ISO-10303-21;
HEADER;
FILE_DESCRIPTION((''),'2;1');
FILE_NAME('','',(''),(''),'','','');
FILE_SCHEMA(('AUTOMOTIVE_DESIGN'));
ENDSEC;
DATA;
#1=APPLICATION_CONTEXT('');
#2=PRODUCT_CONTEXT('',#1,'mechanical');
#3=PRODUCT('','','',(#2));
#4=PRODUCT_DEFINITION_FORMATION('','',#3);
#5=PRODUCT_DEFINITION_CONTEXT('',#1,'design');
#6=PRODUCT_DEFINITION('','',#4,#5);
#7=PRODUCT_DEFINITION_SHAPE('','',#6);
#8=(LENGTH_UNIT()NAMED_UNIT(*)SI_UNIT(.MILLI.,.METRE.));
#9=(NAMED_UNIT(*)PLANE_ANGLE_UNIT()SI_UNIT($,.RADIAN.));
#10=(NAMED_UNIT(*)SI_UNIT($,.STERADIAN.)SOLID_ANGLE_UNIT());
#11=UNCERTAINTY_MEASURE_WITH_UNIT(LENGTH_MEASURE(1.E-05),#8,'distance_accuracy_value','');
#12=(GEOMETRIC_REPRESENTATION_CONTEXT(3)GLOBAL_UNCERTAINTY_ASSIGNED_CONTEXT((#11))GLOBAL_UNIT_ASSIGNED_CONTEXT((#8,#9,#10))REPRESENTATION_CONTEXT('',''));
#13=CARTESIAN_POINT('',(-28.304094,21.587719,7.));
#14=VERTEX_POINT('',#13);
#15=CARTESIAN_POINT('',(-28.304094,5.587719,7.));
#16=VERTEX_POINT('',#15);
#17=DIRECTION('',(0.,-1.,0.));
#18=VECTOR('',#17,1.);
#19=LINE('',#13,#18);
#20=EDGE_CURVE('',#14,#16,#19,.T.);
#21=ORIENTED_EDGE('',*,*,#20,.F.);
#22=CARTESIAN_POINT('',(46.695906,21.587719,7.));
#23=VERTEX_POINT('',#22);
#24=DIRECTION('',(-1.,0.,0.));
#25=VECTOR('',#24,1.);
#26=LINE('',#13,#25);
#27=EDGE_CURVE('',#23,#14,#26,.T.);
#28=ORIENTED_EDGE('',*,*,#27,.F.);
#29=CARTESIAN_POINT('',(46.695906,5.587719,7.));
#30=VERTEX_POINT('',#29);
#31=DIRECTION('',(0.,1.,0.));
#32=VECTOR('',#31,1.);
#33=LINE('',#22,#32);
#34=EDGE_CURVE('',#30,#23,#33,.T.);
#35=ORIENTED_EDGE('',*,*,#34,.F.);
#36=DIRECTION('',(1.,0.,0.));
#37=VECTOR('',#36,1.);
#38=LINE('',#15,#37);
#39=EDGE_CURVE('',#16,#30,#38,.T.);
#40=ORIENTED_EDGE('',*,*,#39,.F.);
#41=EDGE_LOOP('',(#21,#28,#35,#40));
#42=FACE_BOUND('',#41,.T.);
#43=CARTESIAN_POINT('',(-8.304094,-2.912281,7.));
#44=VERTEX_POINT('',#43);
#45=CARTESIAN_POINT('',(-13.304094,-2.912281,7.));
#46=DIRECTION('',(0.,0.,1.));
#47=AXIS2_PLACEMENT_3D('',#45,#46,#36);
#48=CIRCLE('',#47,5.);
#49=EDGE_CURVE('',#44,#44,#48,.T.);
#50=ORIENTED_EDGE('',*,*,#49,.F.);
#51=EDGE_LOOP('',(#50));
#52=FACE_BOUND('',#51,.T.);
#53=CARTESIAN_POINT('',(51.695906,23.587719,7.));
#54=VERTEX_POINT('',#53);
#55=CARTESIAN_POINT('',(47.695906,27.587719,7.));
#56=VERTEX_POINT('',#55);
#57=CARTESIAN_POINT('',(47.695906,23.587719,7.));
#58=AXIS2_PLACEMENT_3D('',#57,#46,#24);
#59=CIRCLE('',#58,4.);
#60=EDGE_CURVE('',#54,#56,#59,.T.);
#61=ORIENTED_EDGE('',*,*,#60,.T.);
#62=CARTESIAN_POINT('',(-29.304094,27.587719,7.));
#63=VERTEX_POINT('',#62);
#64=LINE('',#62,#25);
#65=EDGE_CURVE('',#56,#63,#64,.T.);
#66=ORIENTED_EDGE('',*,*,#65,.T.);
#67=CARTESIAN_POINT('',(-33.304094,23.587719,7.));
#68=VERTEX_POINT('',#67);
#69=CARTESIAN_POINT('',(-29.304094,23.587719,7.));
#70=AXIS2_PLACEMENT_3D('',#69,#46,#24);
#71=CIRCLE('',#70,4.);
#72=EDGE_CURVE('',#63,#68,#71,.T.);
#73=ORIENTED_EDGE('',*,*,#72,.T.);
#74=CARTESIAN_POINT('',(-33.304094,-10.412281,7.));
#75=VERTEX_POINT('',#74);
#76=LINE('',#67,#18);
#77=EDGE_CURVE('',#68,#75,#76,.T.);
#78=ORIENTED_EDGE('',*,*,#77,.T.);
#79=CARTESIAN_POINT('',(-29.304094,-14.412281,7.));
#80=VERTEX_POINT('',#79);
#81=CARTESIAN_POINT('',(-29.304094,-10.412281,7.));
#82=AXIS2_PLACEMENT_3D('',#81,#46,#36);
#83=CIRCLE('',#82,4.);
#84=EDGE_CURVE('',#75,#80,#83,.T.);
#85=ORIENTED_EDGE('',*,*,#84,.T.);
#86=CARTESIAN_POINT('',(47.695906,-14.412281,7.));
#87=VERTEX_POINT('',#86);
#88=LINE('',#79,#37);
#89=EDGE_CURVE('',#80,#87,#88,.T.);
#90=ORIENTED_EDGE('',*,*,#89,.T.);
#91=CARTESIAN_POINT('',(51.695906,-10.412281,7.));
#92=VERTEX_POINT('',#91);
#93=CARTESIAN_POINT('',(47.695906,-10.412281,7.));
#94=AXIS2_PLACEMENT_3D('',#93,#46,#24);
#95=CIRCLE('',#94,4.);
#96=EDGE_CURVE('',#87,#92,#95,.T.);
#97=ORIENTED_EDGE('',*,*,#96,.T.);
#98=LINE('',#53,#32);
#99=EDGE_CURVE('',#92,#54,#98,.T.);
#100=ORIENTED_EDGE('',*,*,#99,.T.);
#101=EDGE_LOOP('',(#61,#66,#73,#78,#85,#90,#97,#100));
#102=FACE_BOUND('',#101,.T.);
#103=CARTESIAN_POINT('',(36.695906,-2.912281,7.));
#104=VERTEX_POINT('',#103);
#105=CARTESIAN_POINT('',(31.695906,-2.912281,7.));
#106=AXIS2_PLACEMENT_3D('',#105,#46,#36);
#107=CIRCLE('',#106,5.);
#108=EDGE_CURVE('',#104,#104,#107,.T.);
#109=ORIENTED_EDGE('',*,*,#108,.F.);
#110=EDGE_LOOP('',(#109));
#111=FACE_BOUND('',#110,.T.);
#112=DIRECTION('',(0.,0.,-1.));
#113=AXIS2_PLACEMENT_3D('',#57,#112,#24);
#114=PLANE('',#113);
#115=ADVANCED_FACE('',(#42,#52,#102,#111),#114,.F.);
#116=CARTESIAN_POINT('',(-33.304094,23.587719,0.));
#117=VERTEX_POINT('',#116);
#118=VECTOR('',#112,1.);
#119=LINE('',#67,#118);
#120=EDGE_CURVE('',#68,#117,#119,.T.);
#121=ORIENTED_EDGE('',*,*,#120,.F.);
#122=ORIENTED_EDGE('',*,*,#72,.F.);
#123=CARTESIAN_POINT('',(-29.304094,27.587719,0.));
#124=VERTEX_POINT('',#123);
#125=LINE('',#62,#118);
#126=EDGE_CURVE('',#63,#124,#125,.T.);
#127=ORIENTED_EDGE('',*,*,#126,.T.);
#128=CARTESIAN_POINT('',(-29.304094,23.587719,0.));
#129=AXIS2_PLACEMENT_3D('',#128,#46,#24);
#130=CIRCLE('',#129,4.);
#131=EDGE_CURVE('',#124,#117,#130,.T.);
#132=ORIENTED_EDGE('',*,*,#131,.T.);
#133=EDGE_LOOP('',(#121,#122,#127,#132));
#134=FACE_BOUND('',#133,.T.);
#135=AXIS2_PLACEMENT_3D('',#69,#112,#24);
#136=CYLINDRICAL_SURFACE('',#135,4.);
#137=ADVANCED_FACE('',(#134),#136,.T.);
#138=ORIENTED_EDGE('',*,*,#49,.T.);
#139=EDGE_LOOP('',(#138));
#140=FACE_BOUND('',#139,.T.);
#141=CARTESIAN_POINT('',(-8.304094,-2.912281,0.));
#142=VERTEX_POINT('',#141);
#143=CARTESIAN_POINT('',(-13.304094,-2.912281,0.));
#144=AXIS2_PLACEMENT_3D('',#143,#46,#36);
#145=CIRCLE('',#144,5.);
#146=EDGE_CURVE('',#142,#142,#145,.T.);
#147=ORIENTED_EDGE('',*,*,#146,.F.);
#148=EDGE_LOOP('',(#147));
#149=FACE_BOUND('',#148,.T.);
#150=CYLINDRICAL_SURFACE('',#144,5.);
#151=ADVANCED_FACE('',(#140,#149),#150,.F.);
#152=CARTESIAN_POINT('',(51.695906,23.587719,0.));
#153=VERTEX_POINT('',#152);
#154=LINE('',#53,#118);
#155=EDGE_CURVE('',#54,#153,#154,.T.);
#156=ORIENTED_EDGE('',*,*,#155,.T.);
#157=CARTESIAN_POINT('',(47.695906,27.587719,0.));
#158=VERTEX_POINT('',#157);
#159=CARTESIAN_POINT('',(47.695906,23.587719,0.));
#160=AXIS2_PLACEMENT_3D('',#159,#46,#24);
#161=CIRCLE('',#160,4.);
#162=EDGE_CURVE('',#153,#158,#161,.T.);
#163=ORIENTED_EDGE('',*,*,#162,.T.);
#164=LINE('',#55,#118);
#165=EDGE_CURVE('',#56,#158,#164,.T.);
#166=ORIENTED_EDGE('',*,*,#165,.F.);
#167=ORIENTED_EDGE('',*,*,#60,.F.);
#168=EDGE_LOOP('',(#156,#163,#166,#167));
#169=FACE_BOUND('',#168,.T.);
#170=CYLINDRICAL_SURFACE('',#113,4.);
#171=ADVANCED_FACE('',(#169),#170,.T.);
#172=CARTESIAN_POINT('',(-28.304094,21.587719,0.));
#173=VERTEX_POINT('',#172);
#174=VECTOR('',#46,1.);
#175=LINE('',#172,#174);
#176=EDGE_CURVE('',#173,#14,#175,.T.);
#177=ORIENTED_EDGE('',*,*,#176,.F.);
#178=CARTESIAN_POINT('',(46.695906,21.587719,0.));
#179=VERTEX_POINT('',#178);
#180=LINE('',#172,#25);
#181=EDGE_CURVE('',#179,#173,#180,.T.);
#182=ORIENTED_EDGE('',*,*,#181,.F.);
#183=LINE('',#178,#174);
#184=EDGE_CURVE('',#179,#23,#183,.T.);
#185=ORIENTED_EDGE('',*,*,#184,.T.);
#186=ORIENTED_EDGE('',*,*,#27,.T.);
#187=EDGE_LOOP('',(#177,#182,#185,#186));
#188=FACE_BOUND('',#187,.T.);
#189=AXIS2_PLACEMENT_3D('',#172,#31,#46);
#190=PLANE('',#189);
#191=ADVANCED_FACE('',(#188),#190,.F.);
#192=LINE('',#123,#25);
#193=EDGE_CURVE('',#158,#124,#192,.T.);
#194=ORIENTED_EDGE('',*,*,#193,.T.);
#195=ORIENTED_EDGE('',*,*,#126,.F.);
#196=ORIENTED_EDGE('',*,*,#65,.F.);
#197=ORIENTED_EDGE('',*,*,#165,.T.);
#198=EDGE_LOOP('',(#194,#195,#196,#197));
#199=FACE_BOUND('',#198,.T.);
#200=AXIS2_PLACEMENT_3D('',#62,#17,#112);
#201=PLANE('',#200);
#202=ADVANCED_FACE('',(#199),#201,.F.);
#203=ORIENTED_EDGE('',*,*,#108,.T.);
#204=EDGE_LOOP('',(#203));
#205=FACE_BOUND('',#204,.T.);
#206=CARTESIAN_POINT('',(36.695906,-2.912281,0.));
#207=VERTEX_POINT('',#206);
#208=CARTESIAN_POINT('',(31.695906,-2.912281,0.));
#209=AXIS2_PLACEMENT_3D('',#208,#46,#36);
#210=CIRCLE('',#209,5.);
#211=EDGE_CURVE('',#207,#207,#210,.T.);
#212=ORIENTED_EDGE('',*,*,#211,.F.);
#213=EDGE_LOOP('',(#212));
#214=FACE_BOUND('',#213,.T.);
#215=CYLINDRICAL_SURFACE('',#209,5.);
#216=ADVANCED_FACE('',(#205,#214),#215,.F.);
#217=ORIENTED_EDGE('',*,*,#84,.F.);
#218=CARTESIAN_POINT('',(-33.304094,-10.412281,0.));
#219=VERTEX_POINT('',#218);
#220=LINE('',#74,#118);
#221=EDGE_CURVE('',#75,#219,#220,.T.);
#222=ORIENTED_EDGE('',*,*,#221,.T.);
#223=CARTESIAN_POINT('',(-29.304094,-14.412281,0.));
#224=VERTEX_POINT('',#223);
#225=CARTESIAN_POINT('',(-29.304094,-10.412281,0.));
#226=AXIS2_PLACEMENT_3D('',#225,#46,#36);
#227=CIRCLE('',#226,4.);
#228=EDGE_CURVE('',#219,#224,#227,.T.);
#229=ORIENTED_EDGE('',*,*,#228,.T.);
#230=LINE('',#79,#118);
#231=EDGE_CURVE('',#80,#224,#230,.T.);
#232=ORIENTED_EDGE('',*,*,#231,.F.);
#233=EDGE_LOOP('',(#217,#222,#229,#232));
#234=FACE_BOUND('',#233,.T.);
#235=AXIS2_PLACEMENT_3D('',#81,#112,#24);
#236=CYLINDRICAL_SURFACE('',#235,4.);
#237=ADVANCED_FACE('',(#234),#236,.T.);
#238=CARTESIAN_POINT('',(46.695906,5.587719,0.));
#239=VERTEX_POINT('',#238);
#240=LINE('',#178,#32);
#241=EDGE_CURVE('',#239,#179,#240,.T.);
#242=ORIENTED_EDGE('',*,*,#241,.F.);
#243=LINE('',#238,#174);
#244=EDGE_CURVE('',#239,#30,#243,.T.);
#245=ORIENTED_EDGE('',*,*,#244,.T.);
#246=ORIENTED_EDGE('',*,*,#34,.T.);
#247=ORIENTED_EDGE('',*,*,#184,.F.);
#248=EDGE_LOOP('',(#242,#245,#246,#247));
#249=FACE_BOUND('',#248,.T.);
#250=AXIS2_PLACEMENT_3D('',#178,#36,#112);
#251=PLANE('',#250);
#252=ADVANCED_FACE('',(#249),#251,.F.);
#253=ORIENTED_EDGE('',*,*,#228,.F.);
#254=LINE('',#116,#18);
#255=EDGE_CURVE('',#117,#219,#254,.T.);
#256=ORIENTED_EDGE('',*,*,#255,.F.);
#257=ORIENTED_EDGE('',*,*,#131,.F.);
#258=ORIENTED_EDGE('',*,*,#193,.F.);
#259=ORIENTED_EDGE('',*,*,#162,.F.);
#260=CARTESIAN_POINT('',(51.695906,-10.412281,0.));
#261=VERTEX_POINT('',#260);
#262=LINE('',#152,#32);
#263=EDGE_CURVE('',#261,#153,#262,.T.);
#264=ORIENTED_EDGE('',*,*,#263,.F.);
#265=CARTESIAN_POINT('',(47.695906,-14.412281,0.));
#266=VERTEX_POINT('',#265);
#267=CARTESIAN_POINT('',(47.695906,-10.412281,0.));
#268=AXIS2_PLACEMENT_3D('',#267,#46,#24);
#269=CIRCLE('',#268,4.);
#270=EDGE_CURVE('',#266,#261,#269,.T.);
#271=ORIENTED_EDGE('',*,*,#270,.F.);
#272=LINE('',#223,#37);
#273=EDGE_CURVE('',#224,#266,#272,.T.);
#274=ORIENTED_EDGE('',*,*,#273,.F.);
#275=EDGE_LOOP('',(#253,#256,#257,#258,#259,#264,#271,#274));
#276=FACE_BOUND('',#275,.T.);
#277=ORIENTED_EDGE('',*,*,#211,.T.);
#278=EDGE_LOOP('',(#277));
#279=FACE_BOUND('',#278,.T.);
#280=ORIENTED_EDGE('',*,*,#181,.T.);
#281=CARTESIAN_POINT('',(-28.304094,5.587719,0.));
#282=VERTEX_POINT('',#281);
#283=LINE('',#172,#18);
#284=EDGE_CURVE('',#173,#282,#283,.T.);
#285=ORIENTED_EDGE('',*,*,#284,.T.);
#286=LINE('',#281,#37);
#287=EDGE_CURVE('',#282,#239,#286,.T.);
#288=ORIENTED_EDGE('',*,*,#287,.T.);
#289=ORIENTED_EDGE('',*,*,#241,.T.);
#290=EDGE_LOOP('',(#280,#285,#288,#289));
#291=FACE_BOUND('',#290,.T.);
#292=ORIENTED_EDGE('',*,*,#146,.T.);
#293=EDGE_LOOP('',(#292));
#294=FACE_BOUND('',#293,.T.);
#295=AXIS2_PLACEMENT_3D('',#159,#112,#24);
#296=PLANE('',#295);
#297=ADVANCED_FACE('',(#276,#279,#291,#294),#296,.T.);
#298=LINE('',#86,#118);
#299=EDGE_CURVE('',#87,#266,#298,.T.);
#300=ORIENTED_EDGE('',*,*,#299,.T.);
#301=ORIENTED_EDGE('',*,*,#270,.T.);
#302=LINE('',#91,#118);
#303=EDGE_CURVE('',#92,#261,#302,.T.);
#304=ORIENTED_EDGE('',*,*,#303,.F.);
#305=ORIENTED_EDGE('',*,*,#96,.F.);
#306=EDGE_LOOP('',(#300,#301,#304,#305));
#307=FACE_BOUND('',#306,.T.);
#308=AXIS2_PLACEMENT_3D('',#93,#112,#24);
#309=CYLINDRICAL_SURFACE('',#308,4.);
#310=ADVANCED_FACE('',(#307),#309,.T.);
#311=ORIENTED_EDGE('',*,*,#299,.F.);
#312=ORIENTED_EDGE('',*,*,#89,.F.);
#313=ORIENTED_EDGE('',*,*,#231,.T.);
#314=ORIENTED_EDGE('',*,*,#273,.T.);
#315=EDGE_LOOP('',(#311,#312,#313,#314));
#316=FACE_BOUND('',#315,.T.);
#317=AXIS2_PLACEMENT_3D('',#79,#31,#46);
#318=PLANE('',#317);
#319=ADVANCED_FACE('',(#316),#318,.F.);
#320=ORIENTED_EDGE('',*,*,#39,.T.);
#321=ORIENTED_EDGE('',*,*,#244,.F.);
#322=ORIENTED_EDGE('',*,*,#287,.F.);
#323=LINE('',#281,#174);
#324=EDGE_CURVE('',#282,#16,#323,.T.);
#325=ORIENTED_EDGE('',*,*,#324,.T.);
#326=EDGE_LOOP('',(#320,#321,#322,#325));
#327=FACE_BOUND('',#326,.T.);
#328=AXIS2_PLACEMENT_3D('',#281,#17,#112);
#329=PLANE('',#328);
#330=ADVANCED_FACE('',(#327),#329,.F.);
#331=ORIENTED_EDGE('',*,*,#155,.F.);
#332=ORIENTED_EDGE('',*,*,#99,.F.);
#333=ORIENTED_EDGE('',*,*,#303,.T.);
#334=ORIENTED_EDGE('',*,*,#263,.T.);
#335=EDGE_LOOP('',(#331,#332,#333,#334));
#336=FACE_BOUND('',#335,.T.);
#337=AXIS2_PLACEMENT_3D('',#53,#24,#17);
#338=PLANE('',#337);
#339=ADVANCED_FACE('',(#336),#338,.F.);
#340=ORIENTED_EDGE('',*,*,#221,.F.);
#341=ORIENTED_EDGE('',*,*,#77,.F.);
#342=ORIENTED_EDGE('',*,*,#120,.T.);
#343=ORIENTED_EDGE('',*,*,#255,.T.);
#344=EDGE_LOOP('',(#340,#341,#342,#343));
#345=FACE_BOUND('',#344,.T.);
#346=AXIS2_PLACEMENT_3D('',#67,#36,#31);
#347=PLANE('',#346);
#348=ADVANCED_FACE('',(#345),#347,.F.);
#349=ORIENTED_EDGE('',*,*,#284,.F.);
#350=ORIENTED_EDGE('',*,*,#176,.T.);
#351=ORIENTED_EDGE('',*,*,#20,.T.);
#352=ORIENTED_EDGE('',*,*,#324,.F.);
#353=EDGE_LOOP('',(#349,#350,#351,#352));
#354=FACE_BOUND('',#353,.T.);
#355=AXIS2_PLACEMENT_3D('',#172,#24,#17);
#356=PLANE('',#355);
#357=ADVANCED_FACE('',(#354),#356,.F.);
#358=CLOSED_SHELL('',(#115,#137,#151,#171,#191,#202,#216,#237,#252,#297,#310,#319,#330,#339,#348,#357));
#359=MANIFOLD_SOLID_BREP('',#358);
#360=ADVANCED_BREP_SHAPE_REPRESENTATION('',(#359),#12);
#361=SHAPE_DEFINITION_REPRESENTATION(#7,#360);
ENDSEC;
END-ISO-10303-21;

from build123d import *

# Parameters (mm, degrees)
BOSS_EXTRUDE1_DEPTH = 7
SKETCH2_W           = 75
SKETCH2_H           = 16
CUT_EXTRUDE1_DEPTH  = 7
SKETCH3_R           = 5
CUT_EXTRUDE2_DEPTH  = 7


with BuildPart() as part:
    # Sketch1 → Boss-Extrude1 (new body)
    with BuildSketch(Plane.XY):
        with BuildLine():
            Line((-29.304093567, 27.587719298), (47.695906433, 27.587719298))
            ThreePointArc((47.695906433, 27.587719298), (50.524333557, 26.416146423), (51.695906433, 23.587719298))
            Line((51.695906433, 23.587719298), (51.695906433, -10.412280702))
            ThreePointArc((51.695906433, -10.412280702), (50.524333557, -13.240707827), (47.695906433, -14.412280702))
            Line((47.695906433, -14.412280702), (-29.304093567, -14.412280702))
            ThreePointArc((-29.304093567, -14.412280702), (-32.132520692, -13.240707827), (-33.304093567, -10.412280702))
            Line((-33.304093567, -10.412280702), (-33.304093567, 23.587719298))
            ThreePointArc((-33.304093567, 23.587719298), (-32.132520692, 26.416146423), (-29.304093567, 27.587719298))
        make_face()
    extrude(amount=BOSS_EXTRUDE1_DEPTH)

    # Sketch2 → Cut-Extrude1 (cut)
    with BuildSketch(Plane.XY.offset(7)):
        with Locations((9.195906433, 13.587719298)):
            Rectangle(SKETCH2_W, SKETCH2_H)
    extrude(amount=-CUT_EXTRUDE1_DEPTH, mode=Mode.SUBTRACT)

    # Sketch3 → Cut-Extrude2 (cut)
    with BuildSketch(Plane.XY.offset(7)):
        with Locations((31.695906433, -2.912280702)):
            Circle(SKETCH3_R)
        with Locations((-13.304093567, -2.912280702)):
            Circle(SKETCH3_R)
    extrude(amount=-CUT_EXTRUDE2_DEPTH, mode=Mode.SUBTRACT)


solid = part.part
